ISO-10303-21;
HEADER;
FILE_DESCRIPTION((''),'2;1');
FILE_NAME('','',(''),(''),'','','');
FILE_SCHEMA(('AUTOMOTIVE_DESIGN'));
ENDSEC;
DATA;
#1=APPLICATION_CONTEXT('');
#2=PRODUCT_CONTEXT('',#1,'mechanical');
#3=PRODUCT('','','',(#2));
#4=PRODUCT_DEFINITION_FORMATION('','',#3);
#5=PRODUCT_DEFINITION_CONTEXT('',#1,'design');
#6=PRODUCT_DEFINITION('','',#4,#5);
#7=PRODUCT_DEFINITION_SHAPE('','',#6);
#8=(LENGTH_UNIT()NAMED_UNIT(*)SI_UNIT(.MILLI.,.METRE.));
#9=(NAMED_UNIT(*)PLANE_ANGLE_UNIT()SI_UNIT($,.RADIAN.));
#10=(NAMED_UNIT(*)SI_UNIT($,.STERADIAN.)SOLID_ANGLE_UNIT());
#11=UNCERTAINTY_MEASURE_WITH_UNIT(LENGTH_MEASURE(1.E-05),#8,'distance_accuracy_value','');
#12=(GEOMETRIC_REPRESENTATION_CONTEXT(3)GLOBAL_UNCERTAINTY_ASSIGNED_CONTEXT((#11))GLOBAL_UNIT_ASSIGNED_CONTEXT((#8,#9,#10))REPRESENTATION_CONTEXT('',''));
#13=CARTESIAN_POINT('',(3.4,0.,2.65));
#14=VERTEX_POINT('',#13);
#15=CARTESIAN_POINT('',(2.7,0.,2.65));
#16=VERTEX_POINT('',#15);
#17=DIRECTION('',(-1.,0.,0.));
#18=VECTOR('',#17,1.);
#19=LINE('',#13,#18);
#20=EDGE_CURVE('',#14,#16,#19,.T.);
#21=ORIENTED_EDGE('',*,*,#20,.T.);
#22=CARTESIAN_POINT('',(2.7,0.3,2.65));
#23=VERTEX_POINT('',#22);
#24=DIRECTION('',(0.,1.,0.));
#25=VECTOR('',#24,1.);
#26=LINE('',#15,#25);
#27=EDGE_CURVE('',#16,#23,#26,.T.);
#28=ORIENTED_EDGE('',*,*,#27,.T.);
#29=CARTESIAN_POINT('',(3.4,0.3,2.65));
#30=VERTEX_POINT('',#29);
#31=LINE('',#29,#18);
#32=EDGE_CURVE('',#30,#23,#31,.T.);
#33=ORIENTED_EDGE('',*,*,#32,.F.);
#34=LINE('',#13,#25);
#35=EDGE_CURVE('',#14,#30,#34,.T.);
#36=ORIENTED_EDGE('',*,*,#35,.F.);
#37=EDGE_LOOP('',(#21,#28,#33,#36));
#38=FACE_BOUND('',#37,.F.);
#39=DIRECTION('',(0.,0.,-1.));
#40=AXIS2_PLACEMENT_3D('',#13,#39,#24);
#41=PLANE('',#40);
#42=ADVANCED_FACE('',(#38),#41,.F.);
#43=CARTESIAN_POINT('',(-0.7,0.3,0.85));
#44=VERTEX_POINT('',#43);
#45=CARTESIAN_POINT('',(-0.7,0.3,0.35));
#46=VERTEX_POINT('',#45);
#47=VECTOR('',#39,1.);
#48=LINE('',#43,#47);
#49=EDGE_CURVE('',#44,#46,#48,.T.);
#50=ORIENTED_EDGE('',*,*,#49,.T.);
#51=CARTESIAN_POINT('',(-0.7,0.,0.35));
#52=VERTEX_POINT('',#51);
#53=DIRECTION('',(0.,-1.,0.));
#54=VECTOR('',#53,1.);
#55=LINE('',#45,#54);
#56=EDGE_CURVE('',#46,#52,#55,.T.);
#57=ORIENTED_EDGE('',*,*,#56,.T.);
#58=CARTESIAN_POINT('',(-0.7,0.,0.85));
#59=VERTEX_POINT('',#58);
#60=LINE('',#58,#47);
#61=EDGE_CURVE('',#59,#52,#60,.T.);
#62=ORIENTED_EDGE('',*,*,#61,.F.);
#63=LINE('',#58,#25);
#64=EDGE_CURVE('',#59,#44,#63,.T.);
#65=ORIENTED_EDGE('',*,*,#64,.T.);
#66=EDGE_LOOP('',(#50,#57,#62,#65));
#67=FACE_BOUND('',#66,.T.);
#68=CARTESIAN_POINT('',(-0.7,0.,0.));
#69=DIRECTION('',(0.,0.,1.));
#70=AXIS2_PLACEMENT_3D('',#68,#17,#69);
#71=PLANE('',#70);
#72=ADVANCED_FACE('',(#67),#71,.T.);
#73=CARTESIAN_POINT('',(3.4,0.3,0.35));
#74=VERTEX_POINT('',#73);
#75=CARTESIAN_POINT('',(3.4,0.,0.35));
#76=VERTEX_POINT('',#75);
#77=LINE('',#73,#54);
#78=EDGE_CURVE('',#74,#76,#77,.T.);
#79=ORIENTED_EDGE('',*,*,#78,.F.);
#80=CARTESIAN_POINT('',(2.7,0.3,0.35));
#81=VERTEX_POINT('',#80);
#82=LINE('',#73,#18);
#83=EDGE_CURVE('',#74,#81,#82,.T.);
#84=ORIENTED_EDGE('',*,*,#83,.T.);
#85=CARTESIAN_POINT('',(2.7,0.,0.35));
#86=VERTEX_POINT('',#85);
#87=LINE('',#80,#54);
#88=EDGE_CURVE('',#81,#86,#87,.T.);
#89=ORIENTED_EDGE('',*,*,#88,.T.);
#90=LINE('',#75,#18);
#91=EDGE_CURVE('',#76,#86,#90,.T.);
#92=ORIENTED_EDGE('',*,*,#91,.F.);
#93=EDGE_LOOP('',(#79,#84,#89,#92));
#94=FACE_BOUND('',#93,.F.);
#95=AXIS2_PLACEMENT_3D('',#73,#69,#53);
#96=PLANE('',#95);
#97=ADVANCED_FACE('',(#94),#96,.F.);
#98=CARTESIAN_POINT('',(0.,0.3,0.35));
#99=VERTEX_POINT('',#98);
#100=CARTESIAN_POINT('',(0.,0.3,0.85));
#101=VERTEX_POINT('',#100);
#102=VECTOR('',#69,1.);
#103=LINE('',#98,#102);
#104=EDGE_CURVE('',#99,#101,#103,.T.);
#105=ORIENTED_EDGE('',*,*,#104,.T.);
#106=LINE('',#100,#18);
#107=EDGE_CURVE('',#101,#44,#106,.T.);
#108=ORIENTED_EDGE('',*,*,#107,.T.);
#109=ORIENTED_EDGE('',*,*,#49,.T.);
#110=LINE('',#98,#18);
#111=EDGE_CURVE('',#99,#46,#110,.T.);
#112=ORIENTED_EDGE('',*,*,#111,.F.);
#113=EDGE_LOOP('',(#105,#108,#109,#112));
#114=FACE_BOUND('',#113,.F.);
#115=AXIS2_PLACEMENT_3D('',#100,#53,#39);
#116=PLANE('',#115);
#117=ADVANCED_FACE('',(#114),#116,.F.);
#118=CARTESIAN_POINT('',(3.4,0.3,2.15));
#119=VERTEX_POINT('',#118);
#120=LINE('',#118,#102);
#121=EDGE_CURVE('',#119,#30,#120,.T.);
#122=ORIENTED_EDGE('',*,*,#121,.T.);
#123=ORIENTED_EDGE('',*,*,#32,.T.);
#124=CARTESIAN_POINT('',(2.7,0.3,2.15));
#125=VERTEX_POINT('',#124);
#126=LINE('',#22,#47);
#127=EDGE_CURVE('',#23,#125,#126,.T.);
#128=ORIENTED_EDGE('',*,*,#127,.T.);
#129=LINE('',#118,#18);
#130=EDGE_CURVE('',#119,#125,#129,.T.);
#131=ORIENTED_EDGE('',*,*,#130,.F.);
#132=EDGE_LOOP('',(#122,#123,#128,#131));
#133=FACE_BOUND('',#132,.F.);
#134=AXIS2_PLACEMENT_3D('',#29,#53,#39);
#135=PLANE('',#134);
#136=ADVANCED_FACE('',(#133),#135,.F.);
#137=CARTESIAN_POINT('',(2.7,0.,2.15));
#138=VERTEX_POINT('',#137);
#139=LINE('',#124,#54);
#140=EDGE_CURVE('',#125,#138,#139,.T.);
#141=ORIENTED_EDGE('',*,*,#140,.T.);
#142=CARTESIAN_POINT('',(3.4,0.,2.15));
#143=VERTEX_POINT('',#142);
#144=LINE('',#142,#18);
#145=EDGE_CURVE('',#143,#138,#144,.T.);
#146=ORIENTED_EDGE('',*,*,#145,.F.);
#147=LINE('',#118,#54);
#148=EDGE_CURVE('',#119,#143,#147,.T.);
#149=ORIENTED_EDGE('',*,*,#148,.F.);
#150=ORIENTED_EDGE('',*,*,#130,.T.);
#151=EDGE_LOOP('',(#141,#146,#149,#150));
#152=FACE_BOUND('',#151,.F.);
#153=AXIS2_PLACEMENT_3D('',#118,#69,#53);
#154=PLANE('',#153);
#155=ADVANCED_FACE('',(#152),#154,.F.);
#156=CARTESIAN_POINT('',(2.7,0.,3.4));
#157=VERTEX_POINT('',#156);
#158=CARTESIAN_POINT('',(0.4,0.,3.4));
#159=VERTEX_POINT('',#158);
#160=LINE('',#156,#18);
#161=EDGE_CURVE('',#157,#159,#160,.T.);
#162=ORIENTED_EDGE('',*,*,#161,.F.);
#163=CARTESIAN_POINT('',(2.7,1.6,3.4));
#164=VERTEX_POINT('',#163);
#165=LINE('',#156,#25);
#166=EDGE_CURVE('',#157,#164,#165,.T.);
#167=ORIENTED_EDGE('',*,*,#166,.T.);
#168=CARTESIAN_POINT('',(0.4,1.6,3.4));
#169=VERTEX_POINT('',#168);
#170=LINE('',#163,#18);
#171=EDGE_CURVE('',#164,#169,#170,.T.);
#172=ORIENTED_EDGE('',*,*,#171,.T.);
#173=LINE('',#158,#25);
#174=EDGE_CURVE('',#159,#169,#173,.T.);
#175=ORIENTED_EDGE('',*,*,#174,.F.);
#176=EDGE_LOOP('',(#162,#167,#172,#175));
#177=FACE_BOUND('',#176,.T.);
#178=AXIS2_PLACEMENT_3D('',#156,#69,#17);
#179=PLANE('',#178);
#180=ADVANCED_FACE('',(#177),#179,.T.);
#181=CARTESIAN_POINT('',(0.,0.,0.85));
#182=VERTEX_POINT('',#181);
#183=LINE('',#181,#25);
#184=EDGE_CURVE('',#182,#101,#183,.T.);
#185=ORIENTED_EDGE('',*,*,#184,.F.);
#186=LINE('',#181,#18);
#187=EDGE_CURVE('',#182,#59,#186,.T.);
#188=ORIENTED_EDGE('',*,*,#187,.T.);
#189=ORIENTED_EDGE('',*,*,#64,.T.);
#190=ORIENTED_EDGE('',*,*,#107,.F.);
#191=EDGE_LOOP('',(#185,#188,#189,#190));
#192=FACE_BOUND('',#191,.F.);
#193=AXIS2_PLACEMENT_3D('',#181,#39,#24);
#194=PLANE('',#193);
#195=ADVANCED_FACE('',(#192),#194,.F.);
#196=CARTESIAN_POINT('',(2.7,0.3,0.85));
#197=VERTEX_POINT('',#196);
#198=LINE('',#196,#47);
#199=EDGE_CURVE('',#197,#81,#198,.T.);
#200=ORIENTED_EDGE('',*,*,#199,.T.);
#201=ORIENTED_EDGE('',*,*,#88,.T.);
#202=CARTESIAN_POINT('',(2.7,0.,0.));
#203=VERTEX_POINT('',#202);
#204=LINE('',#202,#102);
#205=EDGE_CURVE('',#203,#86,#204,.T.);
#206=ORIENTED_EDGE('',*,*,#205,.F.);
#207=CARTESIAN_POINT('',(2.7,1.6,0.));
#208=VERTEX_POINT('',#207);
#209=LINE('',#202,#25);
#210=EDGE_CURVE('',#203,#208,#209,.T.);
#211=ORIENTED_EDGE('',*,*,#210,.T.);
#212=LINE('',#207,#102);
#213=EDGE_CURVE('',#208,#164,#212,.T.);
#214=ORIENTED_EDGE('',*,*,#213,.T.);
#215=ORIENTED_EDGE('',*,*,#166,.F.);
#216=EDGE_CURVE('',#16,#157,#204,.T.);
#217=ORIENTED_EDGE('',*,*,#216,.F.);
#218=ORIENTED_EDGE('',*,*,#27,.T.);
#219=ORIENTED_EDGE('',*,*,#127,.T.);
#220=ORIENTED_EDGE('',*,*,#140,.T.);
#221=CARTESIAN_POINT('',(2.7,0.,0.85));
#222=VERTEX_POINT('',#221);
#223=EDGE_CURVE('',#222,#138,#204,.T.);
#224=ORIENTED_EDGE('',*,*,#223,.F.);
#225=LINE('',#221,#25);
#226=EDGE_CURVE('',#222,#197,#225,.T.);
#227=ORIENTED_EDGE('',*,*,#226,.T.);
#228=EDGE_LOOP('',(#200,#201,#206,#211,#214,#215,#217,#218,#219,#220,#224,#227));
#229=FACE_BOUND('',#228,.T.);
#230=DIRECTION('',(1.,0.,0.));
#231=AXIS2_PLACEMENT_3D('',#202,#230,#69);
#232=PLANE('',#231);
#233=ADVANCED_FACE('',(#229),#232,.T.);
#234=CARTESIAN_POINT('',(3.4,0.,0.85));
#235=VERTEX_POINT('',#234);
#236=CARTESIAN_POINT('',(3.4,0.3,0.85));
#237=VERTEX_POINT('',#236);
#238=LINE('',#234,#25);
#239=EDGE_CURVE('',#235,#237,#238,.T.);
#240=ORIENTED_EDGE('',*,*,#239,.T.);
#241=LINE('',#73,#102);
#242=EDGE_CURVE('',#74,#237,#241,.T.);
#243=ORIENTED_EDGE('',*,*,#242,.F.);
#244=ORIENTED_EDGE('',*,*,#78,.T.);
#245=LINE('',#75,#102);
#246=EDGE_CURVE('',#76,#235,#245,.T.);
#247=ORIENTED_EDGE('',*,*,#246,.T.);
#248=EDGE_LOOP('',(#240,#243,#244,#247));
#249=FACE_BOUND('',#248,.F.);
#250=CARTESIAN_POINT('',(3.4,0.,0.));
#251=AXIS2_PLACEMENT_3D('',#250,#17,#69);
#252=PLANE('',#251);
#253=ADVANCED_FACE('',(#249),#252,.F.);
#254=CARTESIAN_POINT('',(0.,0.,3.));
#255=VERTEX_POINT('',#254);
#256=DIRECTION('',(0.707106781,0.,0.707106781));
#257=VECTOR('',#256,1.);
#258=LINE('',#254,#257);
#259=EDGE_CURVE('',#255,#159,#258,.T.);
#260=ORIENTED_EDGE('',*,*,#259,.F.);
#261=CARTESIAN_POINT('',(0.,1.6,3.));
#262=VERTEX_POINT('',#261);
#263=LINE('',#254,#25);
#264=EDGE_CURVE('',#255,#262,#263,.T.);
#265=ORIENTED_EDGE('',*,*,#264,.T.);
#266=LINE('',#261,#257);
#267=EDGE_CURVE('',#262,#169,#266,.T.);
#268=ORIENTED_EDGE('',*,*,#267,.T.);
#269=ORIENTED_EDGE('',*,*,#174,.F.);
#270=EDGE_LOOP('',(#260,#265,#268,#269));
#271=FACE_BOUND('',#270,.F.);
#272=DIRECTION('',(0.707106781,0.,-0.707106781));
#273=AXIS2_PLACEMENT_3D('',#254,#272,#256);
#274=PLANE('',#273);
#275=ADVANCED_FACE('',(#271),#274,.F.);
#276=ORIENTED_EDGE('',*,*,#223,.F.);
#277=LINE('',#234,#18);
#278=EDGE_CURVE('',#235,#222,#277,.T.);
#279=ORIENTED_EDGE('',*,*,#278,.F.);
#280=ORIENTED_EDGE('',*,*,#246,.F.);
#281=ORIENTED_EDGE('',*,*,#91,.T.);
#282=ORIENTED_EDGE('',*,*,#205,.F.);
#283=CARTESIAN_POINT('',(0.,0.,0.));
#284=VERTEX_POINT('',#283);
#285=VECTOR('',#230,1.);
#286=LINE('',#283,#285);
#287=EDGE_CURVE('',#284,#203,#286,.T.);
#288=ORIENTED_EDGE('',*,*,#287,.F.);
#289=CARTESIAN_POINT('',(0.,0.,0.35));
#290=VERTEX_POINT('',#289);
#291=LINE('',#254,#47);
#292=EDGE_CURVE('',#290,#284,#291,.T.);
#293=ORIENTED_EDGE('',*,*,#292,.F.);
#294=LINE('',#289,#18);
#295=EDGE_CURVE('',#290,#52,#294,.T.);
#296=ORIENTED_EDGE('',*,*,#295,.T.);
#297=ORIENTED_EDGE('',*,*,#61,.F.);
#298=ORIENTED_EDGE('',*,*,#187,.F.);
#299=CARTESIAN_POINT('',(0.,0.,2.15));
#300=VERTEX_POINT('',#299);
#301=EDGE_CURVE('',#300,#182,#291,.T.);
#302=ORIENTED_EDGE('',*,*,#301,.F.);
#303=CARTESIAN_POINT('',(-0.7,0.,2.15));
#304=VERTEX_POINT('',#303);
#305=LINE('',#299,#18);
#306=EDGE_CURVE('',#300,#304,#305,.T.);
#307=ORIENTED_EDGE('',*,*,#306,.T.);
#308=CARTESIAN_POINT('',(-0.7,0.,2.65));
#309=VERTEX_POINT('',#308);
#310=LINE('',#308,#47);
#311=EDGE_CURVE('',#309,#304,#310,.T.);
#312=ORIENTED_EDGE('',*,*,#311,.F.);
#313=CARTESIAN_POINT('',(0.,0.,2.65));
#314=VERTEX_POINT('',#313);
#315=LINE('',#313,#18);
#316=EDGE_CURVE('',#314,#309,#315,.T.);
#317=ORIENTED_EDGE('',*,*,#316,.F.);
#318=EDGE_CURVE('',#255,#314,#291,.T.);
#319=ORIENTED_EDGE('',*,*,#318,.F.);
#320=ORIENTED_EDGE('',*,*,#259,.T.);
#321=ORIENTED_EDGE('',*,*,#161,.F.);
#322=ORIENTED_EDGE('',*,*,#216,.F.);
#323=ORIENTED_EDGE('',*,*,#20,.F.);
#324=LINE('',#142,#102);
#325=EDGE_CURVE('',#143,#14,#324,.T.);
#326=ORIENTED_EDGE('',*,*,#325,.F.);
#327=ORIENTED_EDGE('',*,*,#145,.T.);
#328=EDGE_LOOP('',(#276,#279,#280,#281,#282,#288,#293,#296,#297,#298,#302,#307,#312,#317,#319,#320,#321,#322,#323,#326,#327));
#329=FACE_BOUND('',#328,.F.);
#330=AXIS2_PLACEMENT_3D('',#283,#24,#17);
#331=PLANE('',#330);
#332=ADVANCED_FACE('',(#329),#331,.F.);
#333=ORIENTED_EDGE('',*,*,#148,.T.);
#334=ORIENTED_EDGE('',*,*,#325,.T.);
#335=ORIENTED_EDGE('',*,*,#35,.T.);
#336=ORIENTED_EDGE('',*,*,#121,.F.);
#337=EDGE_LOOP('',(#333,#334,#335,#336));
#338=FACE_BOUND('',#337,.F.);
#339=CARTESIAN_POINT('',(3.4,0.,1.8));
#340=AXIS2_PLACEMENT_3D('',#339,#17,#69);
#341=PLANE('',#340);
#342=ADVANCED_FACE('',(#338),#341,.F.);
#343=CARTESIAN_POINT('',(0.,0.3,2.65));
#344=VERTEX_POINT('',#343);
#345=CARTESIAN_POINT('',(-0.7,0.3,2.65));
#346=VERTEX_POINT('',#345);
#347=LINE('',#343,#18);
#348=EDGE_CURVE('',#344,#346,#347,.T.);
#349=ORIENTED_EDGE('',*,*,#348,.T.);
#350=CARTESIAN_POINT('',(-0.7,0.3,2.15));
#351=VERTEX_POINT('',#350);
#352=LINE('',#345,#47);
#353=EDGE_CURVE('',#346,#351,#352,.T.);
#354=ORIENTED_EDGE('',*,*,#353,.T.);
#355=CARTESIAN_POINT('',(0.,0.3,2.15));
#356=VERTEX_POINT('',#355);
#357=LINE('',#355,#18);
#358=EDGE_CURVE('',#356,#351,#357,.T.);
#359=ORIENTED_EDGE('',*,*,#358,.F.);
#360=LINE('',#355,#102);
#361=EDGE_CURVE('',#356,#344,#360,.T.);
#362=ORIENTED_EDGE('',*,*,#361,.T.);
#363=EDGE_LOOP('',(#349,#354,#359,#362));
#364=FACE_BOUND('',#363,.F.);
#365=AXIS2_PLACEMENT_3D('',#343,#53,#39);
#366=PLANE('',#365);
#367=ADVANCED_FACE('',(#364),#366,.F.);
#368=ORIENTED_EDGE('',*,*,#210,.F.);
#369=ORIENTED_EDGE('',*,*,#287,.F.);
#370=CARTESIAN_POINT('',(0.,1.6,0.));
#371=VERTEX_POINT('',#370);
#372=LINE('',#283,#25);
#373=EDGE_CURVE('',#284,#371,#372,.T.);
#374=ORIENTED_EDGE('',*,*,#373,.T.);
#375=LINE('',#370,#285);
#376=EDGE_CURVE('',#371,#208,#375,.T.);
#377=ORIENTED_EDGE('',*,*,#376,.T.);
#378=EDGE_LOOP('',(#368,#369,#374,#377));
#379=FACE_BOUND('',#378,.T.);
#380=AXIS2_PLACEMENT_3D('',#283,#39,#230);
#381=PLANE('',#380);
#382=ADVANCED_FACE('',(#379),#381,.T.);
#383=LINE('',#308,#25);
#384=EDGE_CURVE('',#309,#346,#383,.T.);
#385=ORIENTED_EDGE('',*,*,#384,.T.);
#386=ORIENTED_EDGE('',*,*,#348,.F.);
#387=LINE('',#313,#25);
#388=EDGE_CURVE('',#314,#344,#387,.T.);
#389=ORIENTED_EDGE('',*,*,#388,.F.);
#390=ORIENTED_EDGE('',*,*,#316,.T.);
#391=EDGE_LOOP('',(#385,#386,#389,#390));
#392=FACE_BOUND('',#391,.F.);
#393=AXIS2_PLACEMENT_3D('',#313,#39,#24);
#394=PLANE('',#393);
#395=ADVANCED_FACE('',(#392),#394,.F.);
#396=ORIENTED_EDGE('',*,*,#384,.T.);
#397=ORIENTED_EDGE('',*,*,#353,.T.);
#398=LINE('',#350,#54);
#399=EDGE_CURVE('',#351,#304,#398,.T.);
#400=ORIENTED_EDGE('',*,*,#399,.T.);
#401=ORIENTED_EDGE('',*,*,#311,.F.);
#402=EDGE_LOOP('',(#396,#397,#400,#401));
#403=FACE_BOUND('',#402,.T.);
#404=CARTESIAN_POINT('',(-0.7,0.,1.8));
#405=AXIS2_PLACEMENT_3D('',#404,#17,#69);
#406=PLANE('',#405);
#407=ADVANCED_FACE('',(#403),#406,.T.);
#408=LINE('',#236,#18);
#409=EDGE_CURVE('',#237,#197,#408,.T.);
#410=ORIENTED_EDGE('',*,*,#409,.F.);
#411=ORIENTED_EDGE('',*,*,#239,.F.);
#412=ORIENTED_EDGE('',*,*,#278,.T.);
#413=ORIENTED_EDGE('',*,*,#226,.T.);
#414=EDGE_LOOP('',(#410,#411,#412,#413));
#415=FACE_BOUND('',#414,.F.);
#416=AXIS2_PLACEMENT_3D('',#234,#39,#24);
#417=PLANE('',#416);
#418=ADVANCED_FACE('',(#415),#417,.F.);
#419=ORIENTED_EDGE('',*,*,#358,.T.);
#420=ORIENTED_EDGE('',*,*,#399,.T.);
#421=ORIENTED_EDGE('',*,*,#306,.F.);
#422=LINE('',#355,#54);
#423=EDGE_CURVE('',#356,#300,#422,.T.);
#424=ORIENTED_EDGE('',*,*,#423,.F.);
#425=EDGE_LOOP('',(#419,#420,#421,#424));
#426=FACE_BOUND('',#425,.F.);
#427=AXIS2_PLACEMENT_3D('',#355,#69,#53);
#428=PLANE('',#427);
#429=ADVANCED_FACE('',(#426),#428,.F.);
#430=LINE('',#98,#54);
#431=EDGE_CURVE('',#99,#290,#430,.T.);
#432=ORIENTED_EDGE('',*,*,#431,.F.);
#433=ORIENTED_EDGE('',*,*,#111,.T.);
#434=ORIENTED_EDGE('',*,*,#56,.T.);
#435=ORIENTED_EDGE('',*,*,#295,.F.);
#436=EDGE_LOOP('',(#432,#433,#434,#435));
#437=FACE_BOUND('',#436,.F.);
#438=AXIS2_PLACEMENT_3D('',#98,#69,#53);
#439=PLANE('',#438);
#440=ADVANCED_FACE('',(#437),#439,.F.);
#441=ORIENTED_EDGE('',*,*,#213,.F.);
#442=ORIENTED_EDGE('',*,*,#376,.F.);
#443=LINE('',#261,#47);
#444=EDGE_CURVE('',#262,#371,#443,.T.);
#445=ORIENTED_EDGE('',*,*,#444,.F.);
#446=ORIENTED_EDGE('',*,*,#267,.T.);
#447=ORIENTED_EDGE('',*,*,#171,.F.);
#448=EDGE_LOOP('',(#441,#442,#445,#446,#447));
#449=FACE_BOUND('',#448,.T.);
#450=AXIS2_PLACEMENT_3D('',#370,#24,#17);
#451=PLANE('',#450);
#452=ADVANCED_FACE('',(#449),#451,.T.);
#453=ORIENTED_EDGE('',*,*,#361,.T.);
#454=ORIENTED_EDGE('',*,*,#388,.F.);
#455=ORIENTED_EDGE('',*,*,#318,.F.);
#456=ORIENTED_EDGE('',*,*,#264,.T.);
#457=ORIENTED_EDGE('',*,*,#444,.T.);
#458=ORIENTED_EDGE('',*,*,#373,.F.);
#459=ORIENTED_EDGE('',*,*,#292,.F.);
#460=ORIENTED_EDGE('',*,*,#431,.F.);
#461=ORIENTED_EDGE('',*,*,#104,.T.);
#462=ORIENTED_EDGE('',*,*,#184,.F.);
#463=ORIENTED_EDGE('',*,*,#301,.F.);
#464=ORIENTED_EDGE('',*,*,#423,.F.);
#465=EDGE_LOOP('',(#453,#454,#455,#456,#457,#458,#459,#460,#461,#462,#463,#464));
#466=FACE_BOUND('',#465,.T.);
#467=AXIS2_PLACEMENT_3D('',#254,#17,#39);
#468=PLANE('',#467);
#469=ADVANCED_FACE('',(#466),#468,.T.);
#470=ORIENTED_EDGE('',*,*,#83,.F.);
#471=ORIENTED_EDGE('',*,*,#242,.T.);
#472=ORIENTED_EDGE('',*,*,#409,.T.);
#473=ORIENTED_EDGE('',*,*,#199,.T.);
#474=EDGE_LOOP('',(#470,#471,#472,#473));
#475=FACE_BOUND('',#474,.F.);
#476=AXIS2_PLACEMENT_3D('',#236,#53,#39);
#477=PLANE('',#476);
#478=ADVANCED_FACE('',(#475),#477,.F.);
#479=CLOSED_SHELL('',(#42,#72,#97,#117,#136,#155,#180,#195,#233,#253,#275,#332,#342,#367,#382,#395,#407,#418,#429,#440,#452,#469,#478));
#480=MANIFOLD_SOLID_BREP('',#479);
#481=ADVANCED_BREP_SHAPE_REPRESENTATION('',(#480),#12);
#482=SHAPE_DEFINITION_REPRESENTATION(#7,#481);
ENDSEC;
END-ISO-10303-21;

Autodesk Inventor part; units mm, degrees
ref_plane "YZ Plane" through (0, 0, 0) normal (1, 0, 0) x (0, 1, 0)
ref_plane "XZ Plane" through (0, 0, 0) normal (0, 1, 0) x (-1, 0, 0)
ref_plane "XY Plane" through (0, 0, 0) normal (0, 0, 1) x (1, 0, 0)
sketch "Sketch1" plane through (0, 0, 0) normal (0, 1, 0) x (-1, 0, 0)
  line L0 (0, 0) -> (-2.7, 0)
  line L1 (-2.7, 0) -> (-2.7, 3.4)
  line L2 (-2.7, 3.4) -> (-0.4, 3.4)
  line L3 (0, 3) -> (0, 0)
  line L4 (0, 3) -> (-0.4, 3.4)
  dimension "QRE1113GR_x" = 2.7
  dimension "QRE1113GR_y" = 3.4
  dimension "d2" = 45
  dimension "d3" = 2.3
extrude "Extrusion1" add sketch "Sketch1" along normal blind 1.6
sketch "Sketch2" plane through (0, 0, 0) normal (-1, 0, 0) x (0, 0, 1)
  line L0 (3, 0) -> (0, 0) projected
  line L1 (0.35, 0) -> (0.85, 0)
  line L2 (0.85, 0) -> (0.85, 0.3)
  line L3 (0.85, 0.3) -> (0.35, 0.3)
  line L4 (0.35, 0.3) -> (0.35, 0)
  line L5 (2.15, 0) -> (2.65, 0)
  line L6 (0, 1.6) -> (3, 1.6) projected
  line L7 (1.5, 1.6) -> (1.5, 0)
  line L8 (0.6, 0.3) -> (0.6, 0)
  dimension "d6" = 0.5
  dimension "d7" = 0.3
  dimension "d8" = 0.9
extrude "Extrusion2" add sketch "Sketch2" along normal blind 0.7
pattern_linear "Rectangular Pattern1" count 2 spacing 1.8 along (0, 0, 1) count 2 spacing 3.4 along (1, 0, 0) of "Extrusion2"
properties part number "QRE1113GR"
